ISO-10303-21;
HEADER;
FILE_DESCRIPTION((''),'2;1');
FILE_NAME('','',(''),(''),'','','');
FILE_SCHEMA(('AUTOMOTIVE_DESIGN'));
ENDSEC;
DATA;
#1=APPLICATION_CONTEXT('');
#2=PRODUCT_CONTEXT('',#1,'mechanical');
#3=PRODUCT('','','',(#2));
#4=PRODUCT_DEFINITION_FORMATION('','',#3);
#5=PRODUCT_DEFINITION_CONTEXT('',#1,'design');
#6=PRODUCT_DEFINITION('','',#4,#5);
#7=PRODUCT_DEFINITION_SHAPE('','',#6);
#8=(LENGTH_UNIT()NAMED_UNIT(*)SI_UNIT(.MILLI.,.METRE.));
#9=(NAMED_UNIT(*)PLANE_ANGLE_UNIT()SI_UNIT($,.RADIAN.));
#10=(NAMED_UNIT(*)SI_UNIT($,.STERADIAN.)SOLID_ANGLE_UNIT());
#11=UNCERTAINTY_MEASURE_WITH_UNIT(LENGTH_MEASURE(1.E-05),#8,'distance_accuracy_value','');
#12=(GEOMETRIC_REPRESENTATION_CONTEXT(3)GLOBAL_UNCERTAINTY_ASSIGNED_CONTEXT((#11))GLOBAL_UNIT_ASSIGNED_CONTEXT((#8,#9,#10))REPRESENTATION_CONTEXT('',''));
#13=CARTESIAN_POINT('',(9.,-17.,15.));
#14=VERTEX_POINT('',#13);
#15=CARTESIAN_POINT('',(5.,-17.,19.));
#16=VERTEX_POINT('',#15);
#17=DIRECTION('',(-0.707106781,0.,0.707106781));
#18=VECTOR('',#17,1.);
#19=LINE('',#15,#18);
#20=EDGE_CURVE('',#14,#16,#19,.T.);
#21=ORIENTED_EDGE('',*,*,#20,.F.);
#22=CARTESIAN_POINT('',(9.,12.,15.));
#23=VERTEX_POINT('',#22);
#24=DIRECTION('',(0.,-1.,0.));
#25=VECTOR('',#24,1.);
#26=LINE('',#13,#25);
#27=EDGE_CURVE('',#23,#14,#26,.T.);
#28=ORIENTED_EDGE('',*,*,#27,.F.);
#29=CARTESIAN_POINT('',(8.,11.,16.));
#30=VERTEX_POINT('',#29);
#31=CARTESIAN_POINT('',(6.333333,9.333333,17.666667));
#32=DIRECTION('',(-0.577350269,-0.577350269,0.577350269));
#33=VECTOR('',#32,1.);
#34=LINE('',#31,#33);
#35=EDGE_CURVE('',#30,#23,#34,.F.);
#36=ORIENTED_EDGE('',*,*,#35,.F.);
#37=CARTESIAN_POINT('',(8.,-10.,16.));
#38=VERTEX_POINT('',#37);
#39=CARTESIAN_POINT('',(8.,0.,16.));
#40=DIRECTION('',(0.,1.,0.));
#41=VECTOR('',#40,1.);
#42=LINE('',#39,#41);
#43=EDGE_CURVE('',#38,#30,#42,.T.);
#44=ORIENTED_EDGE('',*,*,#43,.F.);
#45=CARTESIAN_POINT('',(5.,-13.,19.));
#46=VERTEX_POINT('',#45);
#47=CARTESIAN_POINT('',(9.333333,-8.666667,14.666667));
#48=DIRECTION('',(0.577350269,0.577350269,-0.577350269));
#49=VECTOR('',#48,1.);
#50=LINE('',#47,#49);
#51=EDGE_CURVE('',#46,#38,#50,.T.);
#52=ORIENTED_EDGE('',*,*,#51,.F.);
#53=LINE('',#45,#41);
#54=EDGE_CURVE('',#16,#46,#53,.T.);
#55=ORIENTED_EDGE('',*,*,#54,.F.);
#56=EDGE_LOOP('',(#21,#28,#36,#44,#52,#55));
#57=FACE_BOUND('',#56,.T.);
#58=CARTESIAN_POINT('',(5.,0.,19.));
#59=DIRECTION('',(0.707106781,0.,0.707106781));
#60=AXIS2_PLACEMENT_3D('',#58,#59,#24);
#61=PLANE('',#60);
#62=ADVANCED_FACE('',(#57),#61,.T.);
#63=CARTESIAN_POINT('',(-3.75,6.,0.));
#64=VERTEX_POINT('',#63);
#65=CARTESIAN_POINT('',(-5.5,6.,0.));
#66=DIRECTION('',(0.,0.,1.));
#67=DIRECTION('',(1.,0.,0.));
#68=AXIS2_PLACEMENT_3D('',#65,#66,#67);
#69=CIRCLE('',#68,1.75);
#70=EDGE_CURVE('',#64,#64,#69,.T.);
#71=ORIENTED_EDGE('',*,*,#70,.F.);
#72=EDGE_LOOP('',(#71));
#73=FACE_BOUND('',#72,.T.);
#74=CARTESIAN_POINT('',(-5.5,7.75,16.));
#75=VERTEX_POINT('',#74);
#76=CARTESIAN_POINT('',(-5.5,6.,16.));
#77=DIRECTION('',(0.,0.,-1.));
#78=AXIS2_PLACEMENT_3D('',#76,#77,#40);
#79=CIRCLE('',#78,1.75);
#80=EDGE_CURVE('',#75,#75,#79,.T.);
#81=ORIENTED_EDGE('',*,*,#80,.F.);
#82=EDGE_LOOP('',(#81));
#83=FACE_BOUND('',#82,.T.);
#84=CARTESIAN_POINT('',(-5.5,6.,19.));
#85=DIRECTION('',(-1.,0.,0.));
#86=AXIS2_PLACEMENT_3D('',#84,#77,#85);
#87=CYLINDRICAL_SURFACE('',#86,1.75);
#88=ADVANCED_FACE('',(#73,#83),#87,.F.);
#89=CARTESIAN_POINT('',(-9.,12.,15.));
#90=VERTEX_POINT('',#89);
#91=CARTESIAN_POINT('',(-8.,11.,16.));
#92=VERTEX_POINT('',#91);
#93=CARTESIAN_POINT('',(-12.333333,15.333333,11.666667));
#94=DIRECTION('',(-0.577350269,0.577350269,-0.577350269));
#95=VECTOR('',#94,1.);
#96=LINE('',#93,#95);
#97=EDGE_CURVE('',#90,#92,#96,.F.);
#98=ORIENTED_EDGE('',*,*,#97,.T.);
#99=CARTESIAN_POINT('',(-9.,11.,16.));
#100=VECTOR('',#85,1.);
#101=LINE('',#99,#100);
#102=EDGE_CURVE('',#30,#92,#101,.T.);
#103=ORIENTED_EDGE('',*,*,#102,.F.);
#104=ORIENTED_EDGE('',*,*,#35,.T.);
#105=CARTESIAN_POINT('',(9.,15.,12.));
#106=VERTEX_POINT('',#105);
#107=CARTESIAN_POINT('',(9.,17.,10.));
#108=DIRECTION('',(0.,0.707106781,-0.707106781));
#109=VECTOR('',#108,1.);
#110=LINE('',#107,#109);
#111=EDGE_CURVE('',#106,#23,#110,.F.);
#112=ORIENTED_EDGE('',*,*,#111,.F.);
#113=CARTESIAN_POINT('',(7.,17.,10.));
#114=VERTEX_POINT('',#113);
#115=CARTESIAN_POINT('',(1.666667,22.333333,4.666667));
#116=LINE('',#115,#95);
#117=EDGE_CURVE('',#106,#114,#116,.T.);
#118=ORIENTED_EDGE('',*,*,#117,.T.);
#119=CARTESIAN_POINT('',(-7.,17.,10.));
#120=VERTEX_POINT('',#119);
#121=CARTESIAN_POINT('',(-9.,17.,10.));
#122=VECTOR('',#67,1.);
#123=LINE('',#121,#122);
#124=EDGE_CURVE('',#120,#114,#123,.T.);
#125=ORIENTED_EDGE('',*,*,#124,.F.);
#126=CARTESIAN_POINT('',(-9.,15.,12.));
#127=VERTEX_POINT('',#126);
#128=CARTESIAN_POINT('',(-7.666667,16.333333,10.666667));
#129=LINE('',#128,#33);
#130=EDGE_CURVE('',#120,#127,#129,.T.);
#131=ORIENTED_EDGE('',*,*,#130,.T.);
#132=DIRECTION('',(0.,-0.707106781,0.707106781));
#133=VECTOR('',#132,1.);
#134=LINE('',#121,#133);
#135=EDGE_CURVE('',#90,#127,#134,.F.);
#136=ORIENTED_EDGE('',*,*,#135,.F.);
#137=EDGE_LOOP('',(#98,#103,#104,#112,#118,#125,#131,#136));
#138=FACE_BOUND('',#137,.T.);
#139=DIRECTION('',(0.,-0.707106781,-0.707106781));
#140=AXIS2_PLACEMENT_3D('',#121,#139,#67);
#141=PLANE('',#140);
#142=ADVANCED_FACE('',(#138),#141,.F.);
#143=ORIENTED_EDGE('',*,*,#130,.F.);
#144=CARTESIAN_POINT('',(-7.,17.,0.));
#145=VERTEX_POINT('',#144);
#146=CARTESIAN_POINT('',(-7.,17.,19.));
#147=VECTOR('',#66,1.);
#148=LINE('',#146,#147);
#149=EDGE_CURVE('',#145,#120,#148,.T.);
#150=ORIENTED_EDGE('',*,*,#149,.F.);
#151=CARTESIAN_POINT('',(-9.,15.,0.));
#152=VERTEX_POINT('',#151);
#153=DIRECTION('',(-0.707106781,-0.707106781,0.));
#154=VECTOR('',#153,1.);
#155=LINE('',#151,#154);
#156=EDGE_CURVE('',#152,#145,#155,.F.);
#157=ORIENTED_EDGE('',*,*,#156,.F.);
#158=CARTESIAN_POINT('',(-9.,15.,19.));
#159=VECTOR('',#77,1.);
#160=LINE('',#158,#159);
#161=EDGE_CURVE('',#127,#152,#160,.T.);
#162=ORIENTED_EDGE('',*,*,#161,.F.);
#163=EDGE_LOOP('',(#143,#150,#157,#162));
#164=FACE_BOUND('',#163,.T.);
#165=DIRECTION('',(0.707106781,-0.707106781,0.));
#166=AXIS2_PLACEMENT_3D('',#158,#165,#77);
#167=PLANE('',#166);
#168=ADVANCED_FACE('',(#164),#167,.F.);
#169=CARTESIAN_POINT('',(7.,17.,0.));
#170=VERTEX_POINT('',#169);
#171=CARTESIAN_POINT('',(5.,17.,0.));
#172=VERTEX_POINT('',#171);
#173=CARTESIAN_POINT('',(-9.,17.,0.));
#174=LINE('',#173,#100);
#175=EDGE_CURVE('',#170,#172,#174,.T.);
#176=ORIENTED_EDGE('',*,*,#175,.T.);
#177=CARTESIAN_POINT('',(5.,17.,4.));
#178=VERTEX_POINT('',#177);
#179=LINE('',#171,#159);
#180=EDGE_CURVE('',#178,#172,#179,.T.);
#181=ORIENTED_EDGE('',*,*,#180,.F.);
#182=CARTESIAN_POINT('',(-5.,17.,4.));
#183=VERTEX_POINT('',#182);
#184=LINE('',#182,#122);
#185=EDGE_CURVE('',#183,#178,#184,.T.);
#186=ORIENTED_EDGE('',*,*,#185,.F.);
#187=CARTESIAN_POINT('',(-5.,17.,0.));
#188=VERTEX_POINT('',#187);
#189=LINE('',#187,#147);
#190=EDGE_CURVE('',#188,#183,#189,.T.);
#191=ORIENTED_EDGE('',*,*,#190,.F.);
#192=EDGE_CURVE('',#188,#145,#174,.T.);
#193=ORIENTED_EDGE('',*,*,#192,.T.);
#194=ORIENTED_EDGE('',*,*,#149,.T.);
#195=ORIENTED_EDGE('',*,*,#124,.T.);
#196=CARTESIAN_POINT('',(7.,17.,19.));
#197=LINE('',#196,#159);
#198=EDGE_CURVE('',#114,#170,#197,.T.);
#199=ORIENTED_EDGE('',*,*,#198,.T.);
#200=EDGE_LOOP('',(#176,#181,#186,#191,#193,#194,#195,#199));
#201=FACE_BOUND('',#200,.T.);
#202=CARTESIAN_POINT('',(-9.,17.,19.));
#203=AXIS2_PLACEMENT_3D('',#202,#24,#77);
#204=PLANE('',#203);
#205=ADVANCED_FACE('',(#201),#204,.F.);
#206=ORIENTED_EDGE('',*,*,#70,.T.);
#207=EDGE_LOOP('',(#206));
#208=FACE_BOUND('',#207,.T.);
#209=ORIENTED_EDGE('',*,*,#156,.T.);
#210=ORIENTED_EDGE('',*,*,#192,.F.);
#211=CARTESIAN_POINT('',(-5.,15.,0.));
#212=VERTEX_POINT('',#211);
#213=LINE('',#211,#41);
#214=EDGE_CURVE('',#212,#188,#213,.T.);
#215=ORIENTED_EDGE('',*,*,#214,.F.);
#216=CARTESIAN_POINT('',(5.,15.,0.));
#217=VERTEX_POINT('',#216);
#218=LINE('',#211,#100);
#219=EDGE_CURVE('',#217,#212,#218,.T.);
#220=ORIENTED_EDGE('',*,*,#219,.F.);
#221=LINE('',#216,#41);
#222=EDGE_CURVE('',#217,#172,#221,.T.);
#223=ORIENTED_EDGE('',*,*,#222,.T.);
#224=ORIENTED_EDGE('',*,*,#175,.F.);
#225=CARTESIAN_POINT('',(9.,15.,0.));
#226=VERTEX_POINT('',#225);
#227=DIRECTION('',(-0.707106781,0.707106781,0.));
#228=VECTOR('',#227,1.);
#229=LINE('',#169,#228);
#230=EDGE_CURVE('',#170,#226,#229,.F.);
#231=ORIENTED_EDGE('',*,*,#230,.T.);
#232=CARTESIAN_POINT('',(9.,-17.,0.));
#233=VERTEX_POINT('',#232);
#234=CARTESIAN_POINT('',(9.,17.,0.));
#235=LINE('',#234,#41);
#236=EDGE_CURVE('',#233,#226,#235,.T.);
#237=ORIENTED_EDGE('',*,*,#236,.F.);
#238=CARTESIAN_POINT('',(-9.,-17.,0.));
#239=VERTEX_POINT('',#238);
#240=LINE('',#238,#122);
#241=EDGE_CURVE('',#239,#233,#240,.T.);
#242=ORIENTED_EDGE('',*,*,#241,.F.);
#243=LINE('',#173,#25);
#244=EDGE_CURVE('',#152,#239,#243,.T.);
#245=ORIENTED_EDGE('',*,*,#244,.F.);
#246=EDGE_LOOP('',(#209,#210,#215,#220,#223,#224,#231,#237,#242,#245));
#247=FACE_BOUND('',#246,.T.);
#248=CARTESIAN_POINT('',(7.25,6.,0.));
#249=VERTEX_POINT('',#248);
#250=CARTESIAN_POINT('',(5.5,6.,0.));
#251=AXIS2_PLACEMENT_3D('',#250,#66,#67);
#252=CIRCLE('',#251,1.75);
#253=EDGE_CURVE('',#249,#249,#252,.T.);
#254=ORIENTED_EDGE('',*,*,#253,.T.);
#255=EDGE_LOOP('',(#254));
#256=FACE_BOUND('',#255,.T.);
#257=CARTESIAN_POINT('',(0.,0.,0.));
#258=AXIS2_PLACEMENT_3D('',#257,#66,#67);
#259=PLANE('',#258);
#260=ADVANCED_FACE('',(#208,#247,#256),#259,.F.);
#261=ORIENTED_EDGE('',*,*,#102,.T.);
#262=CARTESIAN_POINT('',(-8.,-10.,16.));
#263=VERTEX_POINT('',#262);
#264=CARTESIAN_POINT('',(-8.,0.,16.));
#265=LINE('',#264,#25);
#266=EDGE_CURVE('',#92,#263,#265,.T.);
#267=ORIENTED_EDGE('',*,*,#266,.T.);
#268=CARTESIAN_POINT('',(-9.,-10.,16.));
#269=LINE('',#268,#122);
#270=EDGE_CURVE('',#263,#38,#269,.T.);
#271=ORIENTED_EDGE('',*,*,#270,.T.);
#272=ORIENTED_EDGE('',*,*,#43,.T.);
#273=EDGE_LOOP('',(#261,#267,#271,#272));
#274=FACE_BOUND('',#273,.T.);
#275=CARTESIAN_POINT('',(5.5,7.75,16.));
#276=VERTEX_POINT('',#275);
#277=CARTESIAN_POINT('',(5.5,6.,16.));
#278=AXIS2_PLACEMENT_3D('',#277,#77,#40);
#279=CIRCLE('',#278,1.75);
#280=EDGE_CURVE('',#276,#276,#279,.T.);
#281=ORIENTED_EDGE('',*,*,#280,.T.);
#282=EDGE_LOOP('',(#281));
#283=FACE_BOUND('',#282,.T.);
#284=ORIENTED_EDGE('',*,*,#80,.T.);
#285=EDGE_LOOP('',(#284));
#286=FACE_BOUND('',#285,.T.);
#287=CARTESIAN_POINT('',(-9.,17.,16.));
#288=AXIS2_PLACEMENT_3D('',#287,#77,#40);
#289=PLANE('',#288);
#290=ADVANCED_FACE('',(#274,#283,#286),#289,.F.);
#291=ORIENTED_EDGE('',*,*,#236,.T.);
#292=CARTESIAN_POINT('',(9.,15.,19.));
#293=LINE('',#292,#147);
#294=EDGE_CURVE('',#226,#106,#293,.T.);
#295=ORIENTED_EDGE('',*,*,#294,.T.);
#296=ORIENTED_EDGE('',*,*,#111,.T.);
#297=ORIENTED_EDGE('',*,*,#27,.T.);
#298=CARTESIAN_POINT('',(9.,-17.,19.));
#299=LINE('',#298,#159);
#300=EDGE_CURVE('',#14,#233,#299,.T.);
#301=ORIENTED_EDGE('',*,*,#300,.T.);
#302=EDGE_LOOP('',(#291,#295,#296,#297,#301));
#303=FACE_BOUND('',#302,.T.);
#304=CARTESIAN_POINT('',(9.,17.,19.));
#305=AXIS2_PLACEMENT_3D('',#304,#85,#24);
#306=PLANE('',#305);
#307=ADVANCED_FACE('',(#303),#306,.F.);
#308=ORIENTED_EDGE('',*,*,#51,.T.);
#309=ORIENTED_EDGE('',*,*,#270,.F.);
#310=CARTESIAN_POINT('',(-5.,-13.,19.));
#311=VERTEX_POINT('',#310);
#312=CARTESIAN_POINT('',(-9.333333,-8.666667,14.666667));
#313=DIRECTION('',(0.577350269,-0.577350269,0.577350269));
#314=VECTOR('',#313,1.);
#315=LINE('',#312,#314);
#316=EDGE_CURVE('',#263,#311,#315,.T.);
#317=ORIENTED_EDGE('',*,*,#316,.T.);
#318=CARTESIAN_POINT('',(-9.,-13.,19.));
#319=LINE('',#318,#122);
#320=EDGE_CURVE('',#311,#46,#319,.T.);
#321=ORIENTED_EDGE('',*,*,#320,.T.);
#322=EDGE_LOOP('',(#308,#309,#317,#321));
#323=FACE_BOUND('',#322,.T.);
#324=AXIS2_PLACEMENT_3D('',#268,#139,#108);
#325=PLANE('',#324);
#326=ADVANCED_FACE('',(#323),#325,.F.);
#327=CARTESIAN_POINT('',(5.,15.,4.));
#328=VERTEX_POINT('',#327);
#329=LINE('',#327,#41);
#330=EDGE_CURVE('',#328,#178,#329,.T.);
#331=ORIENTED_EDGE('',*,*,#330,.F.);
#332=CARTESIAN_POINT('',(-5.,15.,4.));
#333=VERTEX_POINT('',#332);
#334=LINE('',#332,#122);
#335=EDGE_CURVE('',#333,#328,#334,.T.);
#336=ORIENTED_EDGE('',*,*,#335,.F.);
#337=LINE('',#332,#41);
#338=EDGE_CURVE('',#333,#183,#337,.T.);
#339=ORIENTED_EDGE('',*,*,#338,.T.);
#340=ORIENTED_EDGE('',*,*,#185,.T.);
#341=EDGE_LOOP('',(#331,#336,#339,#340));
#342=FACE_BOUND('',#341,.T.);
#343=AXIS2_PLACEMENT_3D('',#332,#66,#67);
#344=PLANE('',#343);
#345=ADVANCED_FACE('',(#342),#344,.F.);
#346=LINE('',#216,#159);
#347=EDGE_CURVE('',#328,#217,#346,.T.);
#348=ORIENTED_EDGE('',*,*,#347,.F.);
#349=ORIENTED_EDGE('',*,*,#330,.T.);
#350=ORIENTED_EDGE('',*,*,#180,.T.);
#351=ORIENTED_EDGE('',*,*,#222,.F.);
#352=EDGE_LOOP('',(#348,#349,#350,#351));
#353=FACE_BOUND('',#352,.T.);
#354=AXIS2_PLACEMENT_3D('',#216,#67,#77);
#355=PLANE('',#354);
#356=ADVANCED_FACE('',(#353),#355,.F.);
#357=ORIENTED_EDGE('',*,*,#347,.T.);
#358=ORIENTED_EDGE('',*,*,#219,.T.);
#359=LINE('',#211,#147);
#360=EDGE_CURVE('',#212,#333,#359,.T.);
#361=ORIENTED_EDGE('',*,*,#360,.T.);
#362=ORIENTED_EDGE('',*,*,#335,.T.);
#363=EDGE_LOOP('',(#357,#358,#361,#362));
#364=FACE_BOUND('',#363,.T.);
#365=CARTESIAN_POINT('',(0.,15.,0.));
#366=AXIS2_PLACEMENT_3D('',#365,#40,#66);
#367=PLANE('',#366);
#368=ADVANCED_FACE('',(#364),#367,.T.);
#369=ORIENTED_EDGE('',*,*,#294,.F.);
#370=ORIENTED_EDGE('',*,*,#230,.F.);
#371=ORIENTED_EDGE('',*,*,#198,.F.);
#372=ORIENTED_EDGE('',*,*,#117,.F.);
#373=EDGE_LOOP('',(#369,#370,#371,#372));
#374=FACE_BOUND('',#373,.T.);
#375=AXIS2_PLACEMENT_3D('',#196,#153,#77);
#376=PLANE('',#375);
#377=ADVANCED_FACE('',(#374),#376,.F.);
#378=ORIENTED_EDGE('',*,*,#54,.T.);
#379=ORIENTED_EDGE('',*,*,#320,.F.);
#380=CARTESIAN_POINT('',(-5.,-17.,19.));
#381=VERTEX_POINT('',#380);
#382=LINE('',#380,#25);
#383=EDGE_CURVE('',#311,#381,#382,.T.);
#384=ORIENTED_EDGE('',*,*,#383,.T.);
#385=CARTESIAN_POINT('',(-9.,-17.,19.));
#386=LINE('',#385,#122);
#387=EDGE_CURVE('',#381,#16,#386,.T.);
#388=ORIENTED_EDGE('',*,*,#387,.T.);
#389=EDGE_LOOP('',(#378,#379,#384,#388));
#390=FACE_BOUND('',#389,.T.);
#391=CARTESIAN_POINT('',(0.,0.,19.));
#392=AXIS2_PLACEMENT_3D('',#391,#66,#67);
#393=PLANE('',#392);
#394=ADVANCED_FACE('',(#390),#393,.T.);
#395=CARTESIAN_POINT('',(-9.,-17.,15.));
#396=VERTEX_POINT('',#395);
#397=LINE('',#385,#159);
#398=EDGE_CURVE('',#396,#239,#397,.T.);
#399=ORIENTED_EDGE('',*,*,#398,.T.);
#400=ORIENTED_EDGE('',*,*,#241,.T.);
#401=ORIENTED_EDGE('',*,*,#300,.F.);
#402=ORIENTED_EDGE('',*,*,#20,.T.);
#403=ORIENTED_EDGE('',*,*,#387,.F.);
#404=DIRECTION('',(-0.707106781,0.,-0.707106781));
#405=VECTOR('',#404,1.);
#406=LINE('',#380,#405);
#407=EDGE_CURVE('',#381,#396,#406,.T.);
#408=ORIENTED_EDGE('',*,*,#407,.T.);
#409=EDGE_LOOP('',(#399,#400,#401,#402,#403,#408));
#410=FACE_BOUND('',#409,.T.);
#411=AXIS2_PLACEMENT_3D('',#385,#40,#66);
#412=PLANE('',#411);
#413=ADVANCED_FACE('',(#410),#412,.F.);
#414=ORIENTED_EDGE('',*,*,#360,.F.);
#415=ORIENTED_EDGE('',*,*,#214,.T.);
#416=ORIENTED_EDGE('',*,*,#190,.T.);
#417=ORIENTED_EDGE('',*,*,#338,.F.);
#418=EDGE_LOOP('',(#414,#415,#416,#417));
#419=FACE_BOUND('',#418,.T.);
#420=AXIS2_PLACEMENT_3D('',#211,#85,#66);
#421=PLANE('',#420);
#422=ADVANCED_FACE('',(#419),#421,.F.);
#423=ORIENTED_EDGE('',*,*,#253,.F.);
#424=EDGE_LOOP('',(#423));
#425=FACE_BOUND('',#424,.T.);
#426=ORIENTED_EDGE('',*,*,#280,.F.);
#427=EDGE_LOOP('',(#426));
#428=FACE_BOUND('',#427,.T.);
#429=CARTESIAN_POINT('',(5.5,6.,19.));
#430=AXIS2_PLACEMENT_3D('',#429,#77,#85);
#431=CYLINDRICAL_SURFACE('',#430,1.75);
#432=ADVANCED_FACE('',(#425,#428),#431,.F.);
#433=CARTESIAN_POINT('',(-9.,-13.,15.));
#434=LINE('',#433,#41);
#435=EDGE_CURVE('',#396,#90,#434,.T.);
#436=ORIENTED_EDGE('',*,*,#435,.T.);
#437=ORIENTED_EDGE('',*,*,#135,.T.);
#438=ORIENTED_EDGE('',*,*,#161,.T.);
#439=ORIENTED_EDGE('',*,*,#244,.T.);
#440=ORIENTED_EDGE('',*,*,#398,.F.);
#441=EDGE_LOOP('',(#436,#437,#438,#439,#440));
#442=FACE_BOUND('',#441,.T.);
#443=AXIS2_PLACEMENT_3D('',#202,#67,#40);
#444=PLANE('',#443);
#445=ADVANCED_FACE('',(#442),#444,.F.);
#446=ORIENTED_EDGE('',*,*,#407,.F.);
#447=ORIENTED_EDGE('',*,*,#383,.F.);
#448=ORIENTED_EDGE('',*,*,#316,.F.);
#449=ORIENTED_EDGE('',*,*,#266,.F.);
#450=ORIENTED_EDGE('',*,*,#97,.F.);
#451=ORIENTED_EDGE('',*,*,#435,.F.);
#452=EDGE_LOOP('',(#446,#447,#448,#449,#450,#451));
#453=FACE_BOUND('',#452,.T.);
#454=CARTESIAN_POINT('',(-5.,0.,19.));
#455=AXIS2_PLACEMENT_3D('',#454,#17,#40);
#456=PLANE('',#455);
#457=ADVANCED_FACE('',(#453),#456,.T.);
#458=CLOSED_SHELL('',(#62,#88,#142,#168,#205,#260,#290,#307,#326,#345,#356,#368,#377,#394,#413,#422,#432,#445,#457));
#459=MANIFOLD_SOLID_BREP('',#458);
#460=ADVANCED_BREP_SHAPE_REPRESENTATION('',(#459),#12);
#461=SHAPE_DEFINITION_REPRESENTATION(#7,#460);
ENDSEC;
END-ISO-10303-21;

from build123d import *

# Parameters (mm, degrees)
SKETCH1_W           = 18
SKETCH1_H           = 34
SKETCH1_R           = 1.75
BOSS_EXTRUDE1_DEPTH = 19
CUT_EXTRUDE1_DEPTH  = 18
CHAMFER1_SIZE       = 6
CHAMFER2_SIZE       = 2
CHAMFER3_SIZE       = 4
SKETCH3_W           = 10
SKETCH3_H           = 4
CUT_EXTRUDE2_DEPTH  = 2


with BuildPart() as part:
    # Sketch1 → Boss-Extrude1 (new body)
    with BuildSketch(Plane.XY):
        Rectangle(SKETCH1_W, SKETCH1_H)
        with Locations((5.5, 6)):
            Circle(SKETCH1_R, mode=Mode.SUBTRACT)
        with Locations((-5.5, 6)):
            Circle(SKETCH1_R, mode=Mode.SUBTRACT)
    extrude(amount=BOSS_EXTRUDE1_DEPTH)

    # Sketch2 → Cut-Extrude1 (cut)
    with BuildSketch(Plane(origin=(9, 0, 0), x_dir=(0, 0, -1), z_dir=(1, 0, 0))):
        Polygon((-19, 17), (-16, 17), (-16, -10), (-19, -13), align=None)
    extrude(amount=-CUT_EXTRUDE1_DEPTH, mode=Mode.SUBTRACT)

    # Chamfer1
    chamfer1_edges = [part.edges().sort_by_distance(p)[0] for p in [
        (0, 17, 16),
    ]]
    chamfer(chamfer1_edges, length=CHAMFER1_SIZE)

    # Chamfer2
    chamfer2_edges = [part.edges().sort_by_distance(p)[0] for p in [
        (-9, 17, 5),
        (9, 17, 5),
    ]]
    chamfer(chamfer2_edges, length=CHAMFER2_SIZE)

    # Chamfer3
    chamfer3_edges = [part.edges().sort_by_distance(p)[0] for p in [
        (-9, -15, 19),
        (9, -15, 19),
    ]]
    chamfer(chamfer3_edges, length=CHAMFER3_SIZE)

    # Sketch3 → Cut-Extrude2 (cut)
    with BuildSketch(Plane(origin=(0, 17, 0), x_dir=(1, 0, 0), z_dir=(0, 1, 0))):
        with Locations((0, -2)):
            Rectangle(SKETCH3_W, SKETCH3_H)
    extrude(amount=-CUT_EXTRUDE2_DEPTH, mode=Mode.SUBTRACT)


solid = part.part
